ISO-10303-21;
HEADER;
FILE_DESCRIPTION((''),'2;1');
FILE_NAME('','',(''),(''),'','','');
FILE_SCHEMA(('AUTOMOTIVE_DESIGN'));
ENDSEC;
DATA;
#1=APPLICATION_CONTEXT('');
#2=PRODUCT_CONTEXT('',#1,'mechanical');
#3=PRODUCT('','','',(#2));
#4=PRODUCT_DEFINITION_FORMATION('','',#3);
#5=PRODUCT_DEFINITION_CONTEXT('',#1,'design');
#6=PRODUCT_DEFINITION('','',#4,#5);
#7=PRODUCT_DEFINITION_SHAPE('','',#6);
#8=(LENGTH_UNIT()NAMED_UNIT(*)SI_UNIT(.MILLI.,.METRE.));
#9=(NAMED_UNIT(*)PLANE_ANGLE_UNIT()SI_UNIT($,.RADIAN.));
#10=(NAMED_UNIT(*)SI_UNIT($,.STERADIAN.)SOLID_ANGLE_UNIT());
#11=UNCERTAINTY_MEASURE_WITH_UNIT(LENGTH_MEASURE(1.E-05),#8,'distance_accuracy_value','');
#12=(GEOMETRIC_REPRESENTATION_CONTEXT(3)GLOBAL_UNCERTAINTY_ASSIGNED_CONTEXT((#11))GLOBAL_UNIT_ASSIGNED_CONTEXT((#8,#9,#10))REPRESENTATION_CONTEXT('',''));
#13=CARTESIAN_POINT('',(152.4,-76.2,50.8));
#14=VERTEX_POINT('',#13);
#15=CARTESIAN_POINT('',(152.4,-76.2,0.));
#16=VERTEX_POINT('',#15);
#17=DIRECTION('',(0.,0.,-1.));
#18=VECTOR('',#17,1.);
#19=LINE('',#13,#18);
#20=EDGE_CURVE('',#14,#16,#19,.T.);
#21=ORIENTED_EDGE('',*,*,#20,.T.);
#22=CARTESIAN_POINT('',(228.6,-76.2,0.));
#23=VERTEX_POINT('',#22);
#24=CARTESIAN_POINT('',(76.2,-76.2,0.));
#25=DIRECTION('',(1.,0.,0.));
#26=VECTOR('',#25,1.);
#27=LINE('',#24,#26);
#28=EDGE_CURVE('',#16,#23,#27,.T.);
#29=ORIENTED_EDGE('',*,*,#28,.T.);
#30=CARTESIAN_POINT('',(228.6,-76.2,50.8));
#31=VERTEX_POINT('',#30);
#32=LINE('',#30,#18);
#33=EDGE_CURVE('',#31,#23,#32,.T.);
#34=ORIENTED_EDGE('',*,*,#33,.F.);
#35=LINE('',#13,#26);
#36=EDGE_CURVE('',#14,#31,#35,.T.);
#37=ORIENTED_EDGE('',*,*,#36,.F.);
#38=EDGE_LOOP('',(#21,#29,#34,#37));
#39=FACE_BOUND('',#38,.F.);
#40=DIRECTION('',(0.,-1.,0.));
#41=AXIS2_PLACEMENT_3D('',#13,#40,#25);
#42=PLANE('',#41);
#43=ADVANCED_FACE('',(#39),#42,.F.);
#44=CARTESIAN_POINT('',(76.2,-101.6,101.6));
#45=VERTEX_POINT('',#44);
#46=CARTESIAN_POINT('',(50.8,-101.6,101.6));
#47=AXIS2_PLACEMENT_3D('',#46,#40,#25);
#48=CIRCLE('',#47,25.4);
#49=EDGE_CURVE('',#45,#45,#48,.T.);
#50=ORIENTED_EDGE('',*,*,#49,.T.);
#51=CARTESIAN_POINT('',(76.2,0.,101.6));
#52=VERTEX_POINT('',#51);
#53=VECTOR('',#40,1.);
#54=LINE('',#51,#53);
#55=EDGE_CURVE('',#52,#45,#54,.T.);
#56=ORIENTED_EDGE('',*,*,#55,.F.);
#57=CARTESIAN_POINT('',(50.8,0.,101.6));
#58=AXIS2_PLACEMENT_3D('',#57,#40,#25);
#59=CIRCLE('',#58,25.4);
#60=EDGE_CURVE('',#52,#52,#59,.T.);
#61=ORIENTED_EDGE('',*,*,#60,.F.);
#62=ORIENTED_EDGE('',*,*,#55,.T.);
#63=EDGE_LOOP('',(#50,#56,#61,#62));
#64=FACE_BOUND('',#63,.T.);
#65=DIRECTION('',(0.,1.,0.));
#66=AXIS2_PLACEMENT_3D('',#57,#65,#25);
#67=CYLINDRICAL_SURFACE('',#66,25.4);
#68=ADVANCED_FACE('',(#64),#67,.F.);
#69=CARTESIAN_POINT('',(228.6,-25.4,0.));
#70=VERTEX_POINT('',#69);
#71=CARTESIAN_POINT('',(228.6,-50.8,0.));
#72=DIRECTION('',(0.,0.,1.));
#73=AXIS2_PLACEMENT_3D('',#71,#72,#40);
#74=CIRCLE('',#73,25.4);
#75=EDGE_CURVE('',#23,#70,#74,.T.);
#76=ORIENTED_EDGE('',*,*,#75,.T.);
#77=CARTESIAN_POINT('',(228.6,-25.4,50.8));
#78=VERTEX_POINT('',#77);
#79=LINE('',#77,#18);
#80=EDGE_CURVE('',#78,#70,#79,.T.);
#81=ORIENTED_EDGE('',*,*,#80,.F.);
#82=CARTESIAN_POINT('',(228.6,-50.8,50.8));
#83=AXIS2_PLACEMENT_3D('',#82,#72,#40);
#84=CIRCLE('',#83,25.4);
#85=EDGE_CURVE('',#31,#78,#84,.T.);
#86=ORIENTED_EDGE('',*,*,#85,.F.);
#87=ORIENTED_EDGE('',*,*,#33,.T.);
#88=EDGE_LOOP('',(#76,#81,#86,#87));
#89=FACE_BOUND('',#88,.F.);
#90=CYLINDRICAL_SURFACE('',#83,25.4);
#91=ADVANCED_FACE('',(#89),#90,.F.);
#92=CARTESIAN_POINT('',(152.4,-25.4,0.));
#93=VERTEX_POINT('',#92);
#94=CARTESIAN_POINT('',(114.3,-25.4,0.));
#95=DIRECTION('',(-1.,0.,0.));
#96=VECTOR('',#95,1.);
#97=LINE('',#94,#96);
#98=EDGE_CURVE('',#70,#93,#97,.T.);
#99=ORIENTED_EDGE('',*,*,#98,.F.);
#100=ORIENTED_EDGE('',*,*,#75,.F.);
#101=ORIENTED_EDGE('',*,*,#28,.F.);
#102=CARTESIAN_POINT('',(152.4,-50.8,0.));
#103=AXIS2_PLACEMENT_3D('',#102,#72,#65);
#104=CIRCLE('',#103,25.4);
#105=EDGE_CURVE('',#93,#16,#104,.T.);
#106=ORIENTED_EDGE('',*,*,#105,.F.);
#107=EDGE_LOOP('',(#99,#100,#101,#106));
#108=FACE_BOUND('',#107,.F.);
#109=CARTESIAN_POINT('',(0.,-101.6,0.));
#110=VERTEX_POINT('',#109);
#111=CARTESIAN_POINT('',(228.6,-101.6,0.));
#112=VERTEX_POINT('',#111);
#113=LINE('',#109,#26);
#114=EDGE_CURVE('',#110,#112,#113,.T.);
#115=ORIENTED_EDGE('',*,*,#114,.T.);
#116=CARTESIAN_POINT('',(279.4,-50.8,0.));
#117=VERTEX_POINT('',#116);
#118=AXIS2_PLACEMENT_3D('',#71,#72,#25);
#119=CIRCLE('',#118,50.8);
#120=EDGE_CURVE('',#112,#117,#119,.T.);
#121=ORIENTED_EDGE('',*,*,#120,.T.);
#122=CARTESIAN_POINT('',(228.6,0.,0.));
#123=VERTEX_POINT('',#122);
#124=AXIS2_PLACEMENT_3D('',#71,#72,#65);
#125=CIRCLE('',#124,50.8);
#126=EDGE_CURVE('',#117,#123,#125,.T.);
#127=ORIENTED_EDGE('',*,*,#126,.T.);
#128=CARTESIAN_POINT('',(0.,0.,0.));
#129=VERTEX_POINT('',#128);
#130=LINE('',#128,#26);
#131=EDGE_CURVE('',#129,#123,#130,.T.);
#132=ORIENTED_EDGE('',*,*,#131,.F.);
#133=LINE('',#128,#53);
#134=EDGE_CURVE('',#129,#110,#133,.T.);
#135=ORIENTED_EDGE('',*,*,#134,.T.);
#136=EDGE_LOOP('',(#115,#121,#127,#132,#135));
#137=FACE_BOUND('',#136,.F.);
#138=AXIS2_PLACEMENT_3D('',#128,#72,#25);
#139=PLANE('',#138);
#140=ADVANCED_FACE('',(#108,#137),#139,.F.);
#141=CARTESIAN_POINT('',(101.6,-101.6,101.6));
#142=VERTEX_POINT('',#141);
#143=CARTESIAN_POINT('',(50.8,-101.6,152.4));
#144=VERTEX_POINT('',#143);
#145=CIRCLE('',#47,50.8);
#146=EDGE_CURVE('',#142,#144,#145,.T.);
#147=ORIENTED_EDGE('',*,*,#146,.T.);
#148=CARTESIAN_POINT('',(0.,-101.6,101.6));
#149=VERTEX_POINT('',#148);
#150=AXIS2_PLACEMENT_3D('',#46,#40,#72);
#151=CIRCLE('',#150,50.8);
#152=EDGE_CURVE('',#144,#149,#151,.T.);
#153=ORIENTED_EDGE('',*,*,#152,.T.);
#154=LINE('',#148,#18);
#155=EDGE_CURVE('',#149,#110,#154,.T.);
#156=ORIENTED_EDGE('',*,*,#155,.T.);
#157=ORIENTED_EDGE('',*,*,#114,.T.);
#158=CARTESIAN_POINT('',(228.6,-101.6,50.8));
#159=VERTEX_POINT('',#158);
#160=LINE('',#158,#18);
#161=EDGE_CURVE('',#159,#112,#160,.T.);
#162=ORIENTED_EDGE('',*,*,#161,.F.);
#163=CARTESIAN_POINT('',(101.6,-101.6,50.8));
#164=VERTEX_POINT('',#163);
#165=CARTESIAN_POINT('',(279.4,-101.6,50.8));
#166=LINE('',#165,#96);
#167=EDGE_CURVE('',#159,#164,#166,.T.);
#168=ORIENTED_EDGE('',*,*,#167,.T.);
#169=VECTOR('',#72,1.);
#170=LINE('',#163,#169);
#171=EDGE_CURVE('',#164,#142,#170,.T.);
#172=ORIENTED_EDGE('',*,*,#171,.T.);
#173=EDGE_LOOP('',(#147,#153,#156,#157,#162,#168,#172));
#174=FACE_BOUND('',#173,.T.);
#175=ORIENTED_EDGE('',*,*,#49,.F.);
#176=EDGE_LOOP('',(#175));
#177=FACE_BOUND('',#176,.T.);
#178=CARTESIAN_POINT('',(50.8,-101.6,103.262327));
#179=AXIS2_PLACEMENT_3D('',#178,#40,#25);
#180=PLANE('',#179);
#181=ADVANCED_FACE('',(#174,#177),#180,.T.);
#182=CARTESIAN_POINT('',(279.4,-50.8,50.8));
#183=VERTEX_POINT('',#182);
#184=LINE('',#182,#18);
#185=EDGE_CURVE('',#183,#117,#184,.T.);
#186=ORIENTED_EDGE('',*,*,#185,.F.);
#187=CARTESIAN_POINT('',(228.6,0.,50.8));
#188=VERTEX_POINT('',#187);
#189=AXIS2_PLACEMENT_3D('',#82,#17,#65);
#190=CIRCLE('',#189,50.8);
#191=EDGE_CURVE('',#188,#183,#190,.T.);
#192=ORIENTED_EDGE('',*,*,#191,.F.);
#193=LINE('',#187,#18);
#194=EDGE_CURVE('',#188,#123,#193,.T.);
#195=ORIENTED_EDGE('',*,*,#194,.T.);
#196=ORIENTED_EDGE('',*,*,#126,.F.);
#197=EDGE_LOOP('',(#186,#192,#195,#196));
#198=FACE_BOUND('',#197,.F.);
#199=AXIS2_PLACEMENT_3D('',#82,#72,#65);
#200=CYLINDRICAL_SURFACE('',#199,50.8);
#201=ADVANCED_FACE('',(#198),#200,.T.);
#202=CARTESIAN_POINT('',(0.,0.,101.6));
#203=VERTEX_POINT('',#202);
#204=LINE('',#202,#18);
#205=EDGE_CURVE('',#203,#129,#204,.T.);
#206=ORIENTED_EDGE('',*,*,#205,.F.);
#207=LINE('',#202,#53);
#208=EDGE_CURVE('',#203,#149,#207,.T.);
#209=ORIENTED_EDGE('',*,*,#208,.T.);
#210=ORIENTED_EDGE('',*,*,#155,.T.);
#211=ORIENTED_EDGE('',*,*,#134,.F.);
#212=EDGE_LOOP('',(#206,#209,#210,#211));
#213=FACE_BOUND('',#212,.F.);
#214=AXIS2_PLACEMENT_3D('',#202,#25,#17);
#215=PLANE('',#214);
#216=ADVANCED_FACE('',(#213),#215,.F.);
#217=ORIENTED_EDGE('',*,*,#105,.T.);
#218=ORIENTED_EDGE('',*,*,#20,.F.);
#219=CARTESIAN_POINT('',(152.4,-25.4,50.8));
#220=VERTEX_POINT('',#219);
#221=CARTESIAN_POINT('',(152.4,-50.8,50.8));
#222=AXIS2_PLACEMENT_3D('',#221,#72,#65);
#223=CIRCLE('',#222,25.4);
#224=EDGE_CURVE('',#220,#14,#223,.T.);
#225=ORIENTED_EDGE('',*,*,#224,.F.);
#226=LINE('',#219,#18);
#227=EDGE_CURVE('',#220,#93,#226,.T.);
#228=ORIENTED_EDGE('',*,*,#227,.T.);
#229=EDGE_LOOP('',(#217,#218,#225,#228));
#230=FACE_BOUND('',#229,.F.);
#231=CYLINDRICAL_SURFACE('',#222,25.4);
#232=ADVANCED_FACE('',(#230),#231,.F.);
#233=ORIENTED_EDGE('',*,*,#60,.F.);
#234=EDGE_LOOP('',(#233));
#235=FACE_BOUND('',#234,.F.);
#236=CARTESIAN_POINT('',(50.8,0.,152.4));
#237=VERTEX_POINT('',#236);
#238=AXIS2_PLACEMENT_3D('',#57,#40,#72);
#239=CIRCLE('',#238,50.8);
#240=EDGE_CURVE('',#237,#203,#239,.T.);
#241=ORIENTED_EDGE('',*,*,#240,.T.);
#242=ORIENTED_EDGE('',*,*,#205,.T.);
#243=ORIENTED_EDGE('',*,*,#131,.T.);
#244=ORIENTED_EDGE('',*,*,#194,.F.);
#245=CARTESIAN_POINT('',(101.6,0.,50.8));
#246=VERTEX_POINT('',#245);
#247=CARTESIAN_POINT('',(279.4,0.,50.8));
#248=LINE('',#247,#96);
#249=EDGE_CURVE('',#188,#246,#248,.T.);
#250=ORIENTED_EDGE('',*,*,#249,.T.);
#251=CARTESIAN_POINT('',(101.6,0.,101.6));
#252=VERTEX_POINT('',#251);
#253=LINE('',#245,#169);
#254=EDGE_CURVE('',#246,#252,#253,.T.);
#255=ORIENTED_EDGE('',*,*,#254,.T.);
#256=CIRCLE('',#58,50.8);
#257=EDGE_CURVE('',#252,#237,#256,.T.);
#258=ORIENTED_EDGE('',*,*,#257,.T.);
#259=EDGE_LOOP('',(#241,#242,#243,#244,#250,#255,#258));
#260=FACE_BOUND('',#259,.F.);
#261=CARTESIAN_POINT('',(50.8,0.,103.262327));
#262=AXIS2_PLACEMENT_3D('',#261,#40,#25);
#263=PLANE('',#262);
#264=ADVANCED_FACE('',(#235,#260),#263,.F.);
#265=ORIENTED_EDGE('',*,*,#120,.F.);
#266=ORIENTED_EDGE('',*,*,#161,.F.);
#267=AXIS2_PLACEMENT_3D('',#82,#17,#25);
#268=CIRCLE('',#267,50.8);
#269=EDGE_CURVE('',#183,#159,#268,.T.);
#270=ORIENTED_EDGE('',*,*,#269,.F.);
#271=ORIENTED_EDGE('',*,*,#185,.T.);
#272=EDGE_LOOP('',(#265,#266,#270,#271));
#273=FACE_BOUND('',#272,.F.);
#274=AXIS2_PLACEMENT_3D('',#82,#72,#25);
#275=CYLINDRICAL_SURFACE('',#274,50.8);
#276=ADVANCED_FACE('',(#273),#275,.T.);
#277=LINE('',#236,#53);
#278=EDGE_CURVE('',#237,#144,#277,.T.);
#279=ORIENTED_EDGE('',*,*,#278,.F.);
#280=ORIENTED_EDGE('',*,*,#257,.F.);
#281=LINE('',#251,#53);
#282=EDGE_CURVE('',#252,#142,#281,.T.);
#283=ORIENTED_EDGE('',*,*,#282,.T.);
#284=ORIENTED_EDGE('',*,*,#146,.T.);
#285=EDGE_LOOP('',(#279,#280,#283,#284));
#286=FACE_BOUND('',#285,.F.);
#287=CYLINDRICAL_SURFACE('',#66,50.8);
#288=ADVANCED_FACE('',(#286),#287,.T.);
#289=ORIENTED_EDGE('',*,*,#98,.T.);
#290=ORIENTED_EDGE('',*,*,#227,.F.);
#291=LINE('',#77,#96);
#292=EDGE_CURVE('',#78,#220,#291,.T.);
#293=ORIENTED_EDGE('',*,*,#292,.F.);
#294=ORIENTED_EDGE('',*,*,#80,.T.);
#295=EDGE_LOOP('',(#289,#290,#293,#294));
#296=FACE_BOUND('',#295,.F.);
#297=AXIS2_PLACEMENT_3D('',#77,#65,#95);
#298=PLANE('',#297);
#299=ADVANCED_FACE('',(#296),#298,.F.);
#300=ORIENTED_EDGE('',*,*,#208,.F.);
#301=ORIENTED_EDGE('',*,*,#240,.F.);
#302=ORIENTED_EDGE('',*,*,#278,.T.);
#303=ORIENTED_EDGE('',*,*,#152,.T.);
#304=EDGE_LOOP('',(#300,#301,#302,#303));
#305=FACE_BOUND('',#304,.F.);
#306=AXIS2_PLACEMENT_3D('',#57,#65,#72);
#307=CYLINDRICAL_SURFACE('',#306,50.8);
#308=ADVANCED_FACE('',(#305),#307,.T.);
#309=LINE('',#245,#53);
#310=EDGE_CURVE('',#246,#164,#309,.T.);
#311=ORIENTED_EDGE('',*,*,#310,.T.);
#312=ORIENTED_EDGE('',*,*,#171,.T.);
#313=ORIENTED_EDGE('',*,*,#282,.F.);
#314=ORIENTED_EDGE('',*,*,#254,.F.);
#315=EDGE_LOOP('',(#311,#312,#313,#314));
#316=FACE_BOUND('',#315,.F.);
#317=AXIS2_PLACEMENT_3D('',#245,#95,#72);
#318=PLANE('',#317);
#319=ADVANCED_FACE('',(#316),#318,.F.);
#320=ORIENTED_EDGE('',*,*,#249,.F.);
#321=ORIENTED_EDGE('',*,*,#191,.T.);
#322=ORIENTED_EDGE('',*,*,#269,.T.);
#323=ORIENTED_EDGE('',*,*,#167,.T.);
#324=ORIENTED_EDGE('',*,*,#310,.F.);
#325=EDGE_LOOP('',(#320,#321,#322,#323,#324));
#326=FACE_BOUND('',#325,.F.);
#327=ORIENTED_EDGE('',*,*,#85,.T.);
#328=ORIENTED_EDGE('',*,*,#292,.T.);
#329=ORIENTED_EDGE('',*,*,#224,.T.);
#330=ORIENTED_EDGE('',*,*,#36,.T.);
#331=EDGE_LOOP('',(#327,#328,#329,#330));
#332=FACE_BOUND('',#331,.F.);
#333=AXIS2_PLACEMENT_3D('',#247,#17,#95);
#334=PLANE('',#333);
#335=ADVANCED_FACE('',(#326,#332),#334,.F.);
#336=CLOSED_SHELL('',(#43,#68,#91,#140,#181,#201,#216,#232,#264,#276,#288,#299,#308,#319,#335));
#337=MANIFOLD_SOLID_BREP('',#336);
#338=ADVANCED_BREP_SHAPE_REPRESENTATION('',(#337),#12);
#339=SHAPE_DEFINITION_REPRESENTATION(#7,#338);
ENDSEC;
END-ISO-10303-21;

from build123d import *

# Parameters (mm, degrees)
F0_R     = 25.4
F1_DEPTH = 101.6
F3_DEPTH = 50.801


with BuildPart() as f1:
    # F0 (on Front) → F1 (new body)
    with BuildSketch(Plane.XZ):
        with BuildLine():
            ThreePointArc((50.8, 152.4), (14.8789755157, 137.5210244843), (0, 101.6))
            ThreePointArc((0, 101.6), (50.8, 50.8), (101.6, 101.6))
            ThreePointArc((101.6, 101.6), (86.7210244843, 137.5210244843), (50.8, 152.4))
        make_face()
        with Locations((50.8, 101.6)):
            Circle(F0_R, mode=Mode.SUBTRACT)
        with BuildLine():
            Line((0, 101.6), (0, 0))
            Line((0, 0), (279.4, 0))
            Line((279.4, 0), (279.4, 50.8))
            Line((279.4, 50.8), (101.6, 50.8))
            Line((101.6, 50.8), (101.6, 101.6))
            ThreePointArc((101.6, 101.6), (50.8, 50.8), (0, 101.6))
        make_face()
    extrude(amount=F1_DEPTH)

    # F2 (on face) → F3 (cut, through all)
    with BuildSketch(Plane.XY.offset(50.8)):
        with BuildLine():
            Line((228.6, -25.4), (184.6059094878, -25.4))
            ThreePointArc((184.6059094878, -25.4), (179.5309680245, -37.6519925088), (177.8, -50.8))
            ThreePointArc((177.8, -50.8), (179.5309680245, -63.9480074912), (184.6059094878, -76.2))
            Line((184.6059094878, -76.2), (228.6, -76.2))
            ThreePointArc((228.6, -76.2), (254, -50.8), (228.6, -25.4))
        make_face()
        with BuildLine():
            ThreePointArc((177.8, -50.8), (179.5309680245, -37.6519925088), (184.6059094878, -25.4))
            Line((184.6059094878, -25.4), (152.4, -25.4))
            ThreePointArc((152.4, -25.4), (127, -50.8), (152.4, -76.2))
            Line((152.4, -76.2), (184.6059094878, -76.2))
            ThreePointArc((184.6059094878, -76.2), (179.5309680245, -63.9480074912), (177.8, -50.8))
        make_face()
        with BuildLine():
            ThreePointArc((228.6, 0), (264.5210244843, -14.8789755157), (279.4, -50.8))
            Line((279.4, -50.8), (279.4, 0))
            Line((279.4, 0), (228.6, 0))
        make_face()
        with BuildLine():
            Line((279.4, -101.6), (279.4, -50.8))
            ThreePointArc((279.4, -50.8), (264.5210244843, -86.7210244843), (228.6, -101.6))
            Line((228.6, -101.6), (279.4, -101.6))
        make_face()
    extrude(amount=-F3_DEPTH, mode=Mode.SUBTRACT)


solid = f1.part
